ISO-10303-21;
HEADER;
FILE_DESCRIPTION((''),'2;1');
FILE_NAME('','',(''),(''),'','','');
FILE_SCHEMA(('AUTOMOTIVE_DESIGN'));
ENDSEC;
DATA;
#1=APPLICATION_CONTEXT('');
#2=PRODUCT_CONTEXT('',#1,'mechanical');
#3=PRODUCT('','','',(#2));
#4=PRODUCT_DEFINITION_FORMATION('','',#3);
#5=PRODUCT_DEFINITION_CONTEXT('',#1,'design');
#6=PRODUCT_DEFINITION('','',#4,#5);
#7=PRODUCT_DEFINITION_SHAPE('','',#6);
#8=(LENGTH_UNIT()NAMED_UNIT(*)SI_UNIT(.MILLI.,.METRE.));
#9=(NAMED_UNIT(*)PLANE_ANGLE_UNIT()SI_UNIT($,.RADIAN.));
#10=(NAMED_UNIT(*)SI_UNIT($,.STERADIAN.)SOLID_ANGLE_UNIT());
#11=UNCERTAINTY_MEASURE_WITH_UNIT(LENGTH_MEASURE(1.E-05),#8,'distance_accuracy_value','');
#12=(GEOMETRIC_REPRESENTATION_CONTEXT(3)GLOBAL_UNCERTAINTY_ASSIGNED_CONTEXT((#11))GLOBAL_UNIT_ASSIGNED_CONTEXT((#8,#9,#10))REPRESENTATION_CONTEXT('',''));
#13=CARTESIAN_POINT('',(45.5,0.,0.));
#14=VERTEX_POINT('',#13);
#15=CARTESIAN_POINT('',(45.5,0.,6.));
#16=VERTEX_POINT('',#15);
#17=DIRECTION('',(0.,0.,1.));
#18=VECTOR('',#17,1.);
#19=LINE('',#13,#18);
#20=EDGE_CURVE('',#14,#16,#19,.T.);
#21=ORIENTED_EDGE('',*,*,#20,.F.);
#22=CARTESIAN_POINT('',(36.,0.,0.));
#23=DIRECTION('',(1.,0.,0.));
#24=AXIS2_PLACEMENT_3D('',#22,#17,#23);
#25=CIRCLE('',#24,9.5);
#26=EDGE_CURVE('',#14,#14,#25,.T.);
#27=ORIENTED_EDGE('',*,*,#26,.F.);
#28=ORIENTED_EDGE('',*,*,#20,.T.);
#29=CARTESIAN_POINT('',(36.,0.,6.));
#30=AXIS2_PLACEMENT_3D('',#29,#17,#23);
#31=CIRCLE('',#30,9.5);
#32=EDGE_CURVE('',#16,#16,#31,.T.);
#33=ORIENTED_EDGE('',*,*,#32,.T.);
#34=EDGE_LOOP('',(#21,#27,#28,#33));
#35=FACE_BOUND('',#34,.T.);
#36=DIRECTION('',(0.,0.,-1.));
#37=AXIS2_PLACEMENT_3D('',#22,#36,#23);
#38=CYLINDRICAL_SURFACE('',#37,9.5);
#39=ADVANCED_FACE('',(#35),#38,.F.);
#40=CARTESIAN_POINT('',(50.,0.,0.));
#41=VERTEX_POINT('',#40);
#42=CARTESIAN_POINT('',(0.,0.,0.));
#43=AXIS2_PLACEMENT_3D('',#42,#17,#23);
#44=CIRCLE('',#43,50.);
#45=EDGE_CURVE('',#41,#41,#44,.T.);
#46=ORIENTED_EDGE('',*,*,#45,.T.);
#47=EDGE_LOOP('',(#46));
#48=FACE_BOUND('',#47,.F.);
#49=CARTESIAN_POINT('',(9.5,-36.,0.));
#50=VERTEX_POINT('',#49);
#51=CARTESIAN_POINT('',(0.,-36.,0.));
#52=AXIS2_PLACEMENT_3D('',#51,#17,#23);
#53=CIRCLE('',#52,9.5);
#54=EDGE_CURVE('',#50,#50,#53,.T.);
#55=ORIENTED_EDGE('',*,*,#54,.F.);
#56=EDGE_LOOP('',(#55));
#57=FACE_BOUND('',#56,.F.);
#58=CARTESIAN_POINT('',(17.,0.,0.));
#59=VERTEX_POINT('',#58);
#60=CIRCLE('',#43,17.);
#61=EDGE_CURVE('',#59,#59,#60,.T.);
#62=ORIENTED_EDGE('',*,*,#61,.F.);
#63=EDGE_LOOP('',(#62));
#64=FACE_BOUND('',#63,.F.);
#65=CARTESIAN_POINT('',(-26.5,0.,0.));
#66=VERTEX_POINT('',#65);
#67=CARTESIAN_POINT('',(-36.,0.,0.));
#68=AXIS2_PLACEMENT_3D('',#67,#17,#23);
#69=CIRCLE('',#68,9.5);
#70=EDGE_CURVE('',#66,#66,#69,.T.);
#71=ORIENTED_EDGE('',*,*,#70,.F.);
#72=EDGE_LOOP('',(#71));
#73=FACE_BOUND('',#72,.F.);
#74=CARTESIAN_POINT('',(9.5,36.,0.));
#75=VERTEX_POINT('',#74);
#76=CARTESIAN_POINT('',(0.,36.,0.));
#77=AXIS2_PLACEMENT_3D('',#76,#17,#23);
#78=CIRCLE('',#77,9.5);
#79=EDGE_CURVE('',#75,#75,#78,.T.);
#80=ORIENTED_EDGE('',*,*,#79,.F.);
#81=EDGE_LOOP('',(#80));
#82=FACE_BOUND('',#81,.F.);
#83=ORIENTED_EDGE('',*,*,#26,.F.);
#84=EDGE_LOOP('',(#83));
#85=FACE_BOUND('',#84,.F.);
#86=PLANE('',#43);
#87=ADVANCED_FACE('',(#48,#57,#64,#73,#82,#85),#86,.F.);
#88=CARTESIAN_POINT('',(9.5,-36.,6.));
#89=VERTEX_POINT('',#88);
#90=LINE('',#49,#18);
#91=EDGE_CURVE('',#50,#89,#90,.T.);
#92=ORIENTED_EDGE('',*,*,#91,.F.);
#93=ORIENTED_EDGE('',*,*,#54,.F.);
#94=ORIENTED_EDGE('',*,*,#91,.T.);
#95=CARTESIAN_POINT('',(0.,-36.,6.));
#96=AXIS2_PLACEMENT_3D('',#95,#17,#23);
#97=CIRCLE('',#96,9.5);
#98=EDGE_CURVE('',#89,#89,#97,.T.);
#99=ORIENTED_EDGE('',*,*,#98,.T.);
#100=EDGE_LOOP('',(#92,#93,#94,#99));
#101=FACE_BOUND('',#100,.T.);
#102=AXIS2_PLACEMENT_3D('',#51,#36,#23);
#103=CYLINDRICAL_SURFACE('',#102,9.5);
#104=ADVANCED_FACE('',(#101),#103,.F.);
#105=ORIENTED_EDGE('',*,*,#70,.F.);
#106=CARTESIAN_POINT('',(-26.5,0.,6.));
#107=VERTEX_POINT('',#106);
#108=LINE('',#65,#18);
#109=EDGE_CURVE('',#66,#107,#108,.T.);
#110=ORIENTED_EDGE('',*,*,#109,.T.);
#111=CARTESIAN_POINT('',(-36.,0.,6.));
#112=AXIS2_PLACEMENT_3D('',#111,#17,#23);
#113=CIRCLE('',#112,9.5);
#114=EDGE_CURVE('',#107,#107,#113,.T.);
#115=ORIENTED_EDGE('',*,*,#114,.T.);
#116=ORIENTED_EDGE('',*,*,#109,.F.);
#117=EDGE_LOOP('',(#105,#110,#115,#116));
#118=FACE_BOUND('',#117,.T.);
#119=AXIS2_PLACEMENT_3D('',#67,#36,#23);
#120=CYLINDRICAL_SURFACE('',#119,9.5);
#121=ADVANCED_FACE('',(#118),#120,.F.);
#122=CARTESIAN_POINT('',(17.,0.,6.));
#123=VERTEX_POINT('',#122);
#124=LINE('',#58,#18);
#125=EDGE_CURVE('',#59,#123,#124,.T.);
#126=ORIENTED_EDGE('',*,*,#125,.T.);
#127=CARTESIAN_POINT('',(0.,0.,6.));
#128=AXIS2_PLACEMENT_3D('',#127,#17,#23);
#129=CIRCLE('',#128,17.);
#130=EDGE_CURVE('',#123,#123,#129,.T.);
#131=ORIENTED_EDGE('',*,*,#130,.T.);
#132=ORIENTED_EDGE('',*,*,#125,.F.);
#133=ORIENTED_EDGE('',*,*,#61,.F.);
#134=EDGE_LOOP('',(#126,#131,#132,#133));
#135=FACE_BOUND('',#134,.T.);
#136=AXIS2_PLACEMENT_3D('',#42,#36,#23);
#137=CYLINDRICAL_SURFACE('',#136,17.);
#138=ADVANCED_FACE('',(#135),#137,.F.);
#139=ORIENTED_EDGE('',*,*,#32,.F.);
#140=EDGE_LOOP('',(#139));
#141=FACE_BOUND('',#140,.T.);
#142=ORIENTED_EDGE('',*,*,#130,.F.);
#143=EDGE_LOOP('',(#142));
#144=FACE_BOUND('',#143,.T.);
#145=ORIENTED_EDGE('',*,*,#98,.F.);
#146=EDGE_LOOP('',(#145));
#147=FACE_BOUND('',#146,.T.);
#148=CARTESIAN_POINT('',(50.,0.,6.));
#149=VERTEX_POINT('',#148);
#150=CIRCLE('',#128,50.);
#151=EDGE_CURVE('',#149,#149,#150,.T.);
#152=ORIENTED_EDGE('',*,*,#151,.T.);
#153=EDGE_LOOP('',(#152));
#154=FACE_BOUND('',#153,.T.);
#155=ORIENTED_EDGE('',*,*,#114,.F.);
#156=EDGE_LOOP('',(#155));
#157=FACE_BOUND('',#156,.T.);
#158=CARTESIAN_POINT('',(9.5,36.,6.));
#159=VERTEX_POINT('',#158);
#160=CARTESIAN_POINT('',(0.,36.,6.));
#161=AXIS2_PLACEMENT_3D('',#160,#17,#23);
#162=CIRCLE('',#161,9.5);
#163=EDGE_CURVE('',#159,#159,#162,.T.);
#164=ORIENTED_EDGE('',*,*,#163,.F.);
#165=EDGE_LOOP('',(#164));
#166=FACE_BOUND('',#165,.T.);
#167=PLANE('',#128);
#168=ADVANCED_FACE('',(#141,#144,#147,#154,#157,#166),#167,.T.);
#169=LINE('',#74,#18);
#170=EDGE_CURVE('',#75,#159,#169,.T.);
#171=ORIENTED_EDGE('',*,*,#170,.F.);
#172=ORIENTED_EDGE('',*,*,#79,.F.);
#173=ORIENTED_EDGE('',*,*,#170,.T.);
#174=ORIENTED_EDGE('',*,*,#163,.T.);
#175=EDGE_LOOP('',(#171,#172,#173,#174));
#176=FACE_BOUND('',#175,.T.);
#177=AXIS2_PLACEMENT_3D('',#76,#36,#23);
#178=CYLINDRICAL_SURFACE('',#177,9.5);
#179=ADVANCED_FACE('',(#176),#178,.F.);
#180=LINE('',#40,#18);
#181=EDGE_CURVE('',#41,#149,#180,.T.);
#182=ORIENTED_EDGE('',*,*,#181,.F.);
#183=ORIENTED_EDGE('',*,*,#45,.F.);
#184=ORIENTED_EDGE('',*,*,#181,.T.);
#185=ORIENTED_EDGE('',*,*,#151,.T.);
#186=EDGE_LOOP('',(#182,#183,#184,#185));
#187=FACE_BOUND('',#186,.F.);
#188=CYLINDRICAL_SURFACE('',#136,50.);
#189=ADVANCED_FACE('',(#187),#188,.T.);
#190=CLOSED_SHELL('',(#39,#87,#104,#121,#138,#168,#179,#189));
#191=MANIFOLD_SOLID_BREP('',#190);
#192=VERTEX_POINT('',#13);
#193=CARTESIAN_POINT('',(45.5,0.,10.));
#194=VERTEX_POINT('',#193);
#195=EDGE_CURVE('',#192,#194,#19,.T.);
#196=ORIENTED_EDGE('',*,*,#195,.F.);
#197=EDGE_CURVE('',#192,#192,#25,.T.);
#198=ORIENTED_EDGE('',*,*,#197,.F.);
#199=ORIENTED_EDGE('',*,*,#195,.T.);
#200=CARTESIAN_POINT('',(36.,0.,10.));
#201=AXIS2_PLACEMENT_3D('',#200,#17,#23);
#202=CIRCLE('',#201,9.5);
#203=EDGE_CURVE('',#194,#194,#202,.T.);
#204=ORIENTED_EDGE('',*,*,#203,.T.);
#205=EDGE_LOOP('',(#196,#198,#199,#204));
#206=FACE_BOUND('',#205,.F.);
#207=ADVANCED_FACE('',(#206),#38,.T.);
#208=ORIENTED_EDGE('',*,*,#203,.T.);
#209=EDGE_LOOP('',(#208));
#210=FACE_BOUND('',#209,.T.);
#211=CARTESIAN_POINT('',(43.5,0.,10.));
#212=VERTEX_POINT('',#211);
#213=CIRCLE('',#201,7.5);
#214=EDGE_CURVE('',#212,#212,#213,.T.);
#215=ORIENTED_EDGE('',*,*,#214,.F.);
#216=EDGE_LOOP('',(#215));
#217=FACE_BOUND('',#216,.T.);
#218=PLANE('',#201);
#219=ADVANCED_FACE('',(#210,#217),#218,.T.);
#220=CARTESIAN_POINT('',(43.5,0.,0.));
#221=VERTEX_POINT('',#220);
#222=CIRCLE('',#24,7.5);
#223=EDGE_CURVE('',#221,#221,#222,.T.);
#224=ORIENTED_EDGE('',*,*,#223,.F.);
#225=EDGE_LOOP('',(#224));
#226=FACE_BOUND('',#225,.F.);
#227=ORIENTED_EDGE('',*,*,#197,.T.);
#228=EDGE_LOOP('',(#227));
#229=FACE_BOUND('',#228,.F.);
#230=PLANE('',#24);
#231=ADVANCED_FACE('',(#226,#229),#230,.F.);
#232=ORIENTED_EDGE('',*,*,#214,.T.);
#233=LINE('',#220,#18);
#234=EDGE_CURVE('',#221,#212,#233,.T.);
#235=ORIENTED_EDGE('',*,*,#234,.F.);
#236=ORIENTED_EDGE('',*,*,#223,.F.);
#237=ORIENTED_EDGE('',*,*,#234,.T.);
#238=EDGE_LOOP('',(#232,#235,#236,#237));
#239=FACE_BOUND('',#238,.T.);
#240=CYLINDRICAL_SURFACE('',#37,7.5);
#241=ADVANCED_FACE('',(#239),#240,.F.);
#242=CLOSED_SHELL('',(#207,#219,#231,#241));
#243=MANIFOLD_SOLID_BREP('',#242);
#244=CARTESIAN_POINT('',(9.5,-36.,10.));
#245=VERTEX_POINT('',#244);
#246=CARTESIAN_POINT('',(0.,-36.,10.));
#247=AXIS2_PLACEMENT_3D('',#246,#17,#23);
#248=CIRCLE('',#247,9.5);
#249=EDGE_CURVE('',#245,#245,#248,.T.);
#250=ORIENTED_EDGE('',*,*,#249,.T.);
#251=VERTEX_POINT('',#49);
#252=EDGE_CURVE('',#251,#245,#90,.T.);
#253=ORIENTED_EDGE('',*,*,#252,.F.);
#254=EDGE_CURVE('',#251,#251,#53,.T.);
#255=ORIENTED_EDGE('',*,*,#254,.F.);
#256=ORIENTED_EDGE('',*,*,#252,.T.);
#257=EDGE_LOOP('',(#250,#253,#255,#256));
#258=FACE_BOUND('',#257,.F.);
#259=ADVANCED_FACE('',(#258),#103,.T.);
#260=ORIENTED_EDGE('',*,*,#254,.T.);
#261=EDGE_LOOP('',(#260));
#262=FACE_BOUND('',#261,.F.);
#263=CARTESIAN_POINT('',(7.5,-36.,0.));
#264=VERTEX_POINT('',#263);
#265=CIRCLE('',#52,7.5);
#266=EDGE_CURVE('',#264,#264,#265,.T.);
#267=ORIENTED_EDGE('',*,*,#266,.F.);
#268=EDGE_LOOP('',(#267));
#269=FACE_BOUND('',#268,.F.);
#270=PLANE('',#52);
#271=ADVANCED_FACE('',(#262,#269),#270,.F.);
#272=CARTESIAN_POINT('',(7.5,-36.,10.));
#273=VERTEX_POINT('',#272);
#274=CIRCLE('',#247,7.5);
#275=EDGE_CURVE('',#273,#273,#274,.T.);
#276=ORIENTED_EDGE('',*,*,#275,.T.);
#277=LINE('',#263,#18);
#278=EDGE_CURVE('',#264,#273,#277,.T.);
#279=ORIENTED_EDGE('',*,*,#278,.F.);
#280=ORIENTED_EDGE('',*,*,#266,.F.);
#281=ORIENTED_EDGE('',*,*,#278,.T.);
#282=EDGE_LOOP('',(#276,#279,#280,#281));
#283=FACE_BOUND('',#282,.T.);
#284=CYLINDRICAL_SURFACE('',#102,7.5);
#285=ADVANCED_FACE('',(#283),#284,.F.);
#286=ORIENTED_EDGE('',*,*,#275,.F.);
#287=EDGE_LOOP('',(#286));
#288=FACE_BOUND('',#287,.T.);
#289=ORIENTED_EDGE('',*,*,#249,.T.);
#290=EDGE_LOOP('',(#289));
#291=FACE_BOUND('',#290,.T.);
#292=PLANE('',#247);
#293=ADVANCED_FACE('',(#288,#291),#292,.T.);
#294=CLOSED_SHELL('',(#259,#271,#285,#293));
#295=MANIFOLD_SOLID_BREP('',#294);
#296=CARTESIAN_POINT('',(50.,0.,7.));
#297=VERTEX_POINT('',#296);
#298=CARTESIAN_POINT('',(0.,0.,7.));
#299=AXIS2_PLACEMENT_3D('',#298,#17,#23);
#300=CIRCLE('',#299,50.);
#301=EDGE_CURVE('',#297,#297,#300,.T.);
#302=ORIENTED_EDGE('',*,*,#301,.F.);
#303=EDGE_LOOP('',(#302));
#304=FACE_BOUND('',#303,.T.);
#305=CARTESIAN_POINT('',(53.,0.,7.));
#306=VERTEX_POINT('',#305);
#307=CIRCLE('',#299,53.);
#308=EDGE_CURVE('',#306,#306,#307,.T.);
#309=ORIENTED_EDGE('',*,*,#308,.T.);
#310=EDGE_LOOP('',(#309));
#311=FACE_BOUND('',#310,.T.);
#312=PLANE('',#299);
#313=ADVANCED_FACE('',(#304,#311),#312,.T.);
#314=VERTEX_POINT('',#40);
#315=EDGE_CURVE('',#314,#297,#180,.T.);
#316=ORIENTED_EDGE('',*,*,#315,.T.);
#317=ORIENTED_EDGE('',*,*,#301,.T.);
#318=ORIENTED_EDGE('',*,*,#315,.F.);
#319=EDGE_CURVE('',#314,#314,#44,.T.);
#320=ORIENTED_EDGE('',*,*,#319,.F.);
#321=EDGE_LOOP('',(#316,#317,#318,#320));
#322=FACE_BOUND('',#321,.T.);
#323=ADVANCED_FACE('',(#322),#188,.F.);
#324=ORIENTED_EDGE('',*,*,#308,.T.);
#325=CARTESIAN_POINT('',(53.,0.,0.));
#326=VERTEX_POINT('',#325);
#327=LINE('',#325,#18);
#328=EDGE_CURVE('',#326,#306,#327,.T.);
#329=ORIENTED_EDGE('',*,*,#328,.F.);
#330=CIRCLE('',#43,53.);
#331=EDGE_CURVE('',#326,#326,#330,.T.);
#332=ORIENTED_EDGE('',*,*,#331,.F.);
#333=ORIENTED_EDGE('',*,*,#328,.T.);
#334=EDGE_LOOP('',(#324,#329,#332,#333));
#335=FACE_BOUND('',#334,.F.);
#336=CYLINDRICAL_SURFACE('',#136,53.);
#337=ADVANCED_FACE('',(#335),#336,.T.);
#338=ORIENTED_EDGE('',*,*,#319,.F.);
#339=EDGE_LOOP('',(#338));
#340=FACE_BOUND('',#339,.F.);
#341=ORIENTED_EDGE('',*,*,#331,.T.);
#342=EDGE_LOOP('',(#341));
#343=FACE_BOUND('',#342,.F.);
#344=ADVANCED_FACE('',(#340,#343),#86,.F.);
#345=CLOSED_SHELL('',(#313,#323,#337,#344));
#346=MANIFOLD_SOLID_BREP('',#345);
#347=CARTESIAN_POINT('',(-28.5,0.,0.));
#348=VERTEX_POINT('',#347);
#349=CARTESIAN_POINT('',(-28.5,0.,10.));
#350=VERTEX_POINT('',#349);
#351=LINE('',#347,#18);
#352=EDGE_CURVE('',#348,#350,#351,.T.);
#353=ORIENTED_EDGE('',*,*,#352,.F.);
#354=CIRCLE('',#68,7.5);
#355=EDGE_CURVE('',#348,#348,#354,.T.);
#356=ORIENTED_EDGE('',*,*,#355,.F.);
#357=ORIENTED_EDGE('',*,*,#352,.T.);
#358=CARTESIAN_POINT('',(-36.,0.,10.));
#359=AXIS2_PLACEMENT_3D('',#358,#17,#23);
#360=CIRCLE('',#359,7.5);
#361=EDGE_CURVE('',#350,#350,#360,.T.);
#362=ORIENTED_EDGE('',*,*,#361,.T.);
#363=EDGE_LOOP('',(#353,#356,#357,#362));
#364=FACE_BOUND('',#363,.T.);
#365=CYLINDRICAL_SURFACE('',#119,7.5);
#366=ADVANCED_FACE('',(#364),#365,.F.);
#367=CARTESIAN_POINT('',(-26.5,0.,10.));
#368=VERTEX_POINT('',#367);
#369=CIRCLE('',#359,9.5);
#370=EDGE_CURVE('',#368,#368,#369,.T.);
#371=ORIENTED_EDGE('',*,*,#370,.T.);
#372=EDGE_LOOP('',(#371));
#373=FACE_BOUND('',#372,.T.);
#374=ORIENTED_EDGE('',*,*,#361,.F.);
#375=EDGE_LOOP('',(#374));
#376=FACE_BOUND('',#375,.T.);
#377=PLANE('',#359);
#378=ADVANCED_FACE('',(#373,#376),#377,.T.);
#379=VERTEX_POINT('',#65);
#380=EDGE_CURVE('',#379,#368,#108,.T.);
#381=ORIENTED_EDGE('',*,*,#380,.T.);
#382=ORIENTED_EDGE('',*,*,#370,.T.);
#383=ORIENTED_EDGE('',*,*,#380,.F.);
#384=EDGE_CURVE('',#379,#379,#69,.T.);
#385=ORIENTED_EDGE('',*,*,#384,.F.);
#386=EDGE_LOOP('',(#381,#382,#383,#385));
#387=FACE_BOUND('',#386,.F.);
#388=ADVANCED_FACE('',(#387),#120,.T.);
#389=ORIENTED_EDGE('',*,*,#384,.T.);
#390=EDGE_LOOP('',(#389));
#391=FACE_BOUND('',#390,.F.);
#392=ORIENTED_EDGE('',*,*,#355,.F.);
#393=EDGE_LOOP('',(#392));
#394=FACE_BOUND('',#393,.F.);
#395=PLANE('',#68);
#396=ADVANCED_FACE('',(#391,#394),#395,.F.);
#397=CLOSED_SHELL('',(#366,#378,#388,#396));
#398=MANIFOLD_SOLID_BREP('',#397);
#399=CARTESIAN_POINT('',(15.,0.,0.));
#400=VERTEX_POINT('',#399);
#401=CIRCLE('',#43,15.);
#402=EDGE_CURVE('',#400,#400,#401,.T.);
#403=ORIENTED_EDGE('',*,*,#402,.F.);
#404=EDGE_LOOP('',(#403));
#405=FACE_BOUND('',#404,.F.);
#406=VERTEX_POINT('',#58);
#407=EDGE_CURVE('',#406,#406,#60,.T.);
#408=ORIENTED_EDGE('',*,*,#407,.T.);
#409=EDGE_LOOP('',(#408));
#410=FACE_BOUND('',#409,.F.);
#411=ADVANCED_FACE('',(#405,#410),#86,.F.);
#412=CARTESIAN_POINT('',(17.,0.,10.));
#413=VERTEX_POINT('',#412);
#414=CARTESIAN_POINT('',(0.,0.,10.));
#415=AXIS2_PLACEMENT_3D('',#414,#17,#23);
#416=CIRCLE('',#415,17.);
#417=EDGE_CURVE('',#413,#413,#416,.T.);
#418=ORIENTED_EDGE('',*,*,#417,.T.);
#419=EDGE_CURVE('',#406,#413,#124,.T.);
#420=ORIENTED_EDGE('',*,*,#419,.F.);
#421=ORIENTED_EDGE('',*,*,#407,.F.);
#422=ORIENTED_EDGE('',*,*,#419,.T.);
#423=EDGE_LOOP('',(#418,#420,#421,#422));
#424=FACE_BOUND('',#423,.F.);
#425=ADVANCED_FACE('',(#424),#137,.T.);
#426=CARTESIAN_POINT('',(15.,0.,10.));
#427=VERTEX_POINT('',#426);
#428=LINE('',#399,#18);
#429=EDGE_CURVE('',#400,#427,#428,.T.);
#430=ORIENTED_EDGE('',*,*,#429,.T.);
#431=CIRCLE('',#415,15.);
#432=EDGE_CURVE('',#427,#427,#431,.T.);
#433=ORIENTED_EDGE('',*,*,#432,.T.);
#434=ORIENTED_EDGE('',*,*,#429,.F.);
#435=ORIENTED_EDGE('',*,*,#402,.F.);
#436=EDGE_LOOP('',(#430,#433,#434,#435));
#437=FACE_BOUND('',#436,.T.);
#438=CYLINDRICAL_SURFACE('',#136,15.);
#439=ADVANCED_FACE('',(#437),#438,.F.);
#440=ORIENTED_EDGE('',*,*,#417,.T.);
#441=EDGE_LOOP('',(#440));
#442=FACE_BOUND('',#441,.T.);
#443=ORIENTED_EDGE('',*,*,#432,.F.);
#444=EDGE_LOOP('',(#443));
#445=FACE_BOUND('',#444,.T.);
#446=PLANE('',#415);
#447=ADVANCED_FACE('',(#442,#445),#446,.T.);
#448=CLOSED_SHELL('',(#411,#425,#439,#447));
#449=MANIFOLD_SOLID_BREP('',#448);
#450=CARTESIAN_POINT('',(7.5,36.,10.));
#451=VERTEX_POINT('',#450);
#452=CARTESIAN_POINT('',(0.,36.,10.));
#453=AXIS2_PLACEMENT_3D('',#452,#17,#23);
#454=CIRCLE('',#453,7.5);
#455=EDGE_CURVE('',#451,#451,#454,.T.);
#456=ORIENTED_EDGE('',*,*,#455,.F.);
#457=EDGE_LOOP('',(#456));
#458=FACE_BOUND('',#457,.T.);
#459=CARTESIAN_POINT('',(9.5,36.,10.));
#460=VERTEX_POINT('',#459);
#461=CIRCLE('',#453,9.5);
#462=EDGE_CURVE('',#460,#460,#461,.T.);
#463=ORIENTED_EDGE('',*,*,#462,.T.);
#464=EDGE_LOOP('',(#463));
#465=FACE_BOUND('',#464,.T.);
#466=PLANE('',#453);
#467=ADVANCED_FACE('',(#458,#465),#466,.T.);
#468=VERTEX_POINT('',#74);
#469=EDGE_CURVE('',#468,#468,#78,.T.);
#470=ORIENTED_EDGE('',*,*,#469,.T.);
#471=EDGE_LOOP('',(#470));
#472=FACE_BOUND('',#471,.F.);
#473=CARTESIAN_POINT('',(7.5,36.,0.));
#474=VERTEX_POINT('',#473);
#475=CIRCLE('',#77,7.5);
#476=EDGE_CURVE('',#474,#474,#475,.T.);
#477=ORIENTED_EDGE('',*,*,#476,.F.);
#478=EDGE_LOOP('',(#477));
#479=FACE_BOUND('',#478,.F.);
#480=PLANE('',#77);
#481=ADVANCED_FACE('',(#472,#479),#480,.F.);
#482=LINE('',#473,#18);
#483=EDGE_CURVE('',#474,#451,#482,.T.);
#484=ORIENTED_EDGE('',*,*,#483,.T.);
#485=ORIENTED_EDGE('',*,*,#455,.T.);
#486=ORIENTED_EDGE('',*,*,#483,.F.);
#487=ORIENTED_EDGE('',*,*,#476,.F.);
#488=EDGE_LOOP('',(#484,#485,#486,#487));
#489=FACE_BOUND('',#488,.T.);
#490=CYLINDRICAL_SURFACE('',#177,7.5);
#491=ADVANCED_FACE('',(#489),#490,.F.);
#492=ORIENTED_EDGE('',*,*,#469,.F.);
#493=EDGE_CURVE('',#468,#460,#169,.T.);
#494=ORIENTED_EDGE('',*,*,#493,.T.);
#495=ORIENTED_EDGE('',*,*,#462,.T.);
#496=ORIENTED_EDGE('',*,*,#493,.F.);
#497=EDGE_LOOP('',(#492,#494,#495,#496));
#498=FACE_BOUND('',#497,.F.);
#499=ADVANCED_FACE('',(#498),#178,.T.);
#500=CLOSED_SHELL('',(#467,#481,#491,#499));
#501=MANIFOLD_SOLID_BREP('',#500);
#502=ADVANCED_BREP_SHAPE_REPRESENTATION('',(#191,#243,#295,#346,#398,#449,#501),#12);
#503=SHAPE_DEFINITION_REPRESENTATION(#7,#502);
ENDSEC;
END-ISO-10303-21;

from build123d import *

# Parameters (mm, degrees)
F0_R     = 53
F0_R_2   = 50
F1_DEPTH = 7
F0_R_3   = 9.5
F0_R_4   = 7.5
F0_R_5   = 17
F0_R_6   = 15
F2_DEPTH = 10
F3_DEPTH = 6


with BuildPart() as f1:
    # F0 (on Top) → F1 (new body)
    with BuildSketch(Plane.XY):
        Circle(F0_R)
        Circle(F0_R_2, mode=Mode.SUBTRACT)
    extrude(amount=F1_DEPTH)


with BuildPart() as f2:
    # F0 (on Top) → F2 (new body)
    with BuildSketch(Plane.XY):
        with Locations((36, 0)):
            Circle(F0_R_3)
        with Locations((36, 0)):
            Circle(F0_R_4, mode=Mode.SUBTRACT)
        with Locations((-36, 0)):
            Circle(F0_R_3)
        with Locations((-36, 0)):
            Circle(F0_R_4, mode=Mode.SUBTRACT)
        with Locations((0, -36)):
            Circle(F0_R_3)
        with Locations((0, -36)):
            Circle(F0_R_4, mode=Mode.SUBTRACT)
        with Locations((0, 36)):
            Circle(F0_R_3)
        with Locations((0, 36)):
            Circle(F0_R_4, mode=Mode.SUBTRACT)
        Circle(F0_R_5)
        Circle(F0_R_6, mode=Mode.SUBTRACT)
    extrude(amount=F2_DEPTH)


with BuildPart() as f3:
    # F0 (on Top) → F3 (new body)
    with BuildSketch(Plane.XY):
        Circle(F0_R_2)
        with Locations((0, -36)):
            Circle(F0_R_3, mode=Mode.SUBTRACT)
        with Locations((-36, 0)):
            Circle(F0_R_3, mode=Mode.SUBTRACT)
        Circle(F0_R_5, mode=Mode.SUBTRACT)
        with Locations((36, 0)):
            Circle(F0_R_3, mode=Mode.SUBTRACT)
        with Locations((0, 36)):
            Circle(F0_R_3, mode=Mode.SUBTRACT)
    extrude(amount=F3_DEPTH)


solid = Compound([f1.part, f2.part, f3.part])
